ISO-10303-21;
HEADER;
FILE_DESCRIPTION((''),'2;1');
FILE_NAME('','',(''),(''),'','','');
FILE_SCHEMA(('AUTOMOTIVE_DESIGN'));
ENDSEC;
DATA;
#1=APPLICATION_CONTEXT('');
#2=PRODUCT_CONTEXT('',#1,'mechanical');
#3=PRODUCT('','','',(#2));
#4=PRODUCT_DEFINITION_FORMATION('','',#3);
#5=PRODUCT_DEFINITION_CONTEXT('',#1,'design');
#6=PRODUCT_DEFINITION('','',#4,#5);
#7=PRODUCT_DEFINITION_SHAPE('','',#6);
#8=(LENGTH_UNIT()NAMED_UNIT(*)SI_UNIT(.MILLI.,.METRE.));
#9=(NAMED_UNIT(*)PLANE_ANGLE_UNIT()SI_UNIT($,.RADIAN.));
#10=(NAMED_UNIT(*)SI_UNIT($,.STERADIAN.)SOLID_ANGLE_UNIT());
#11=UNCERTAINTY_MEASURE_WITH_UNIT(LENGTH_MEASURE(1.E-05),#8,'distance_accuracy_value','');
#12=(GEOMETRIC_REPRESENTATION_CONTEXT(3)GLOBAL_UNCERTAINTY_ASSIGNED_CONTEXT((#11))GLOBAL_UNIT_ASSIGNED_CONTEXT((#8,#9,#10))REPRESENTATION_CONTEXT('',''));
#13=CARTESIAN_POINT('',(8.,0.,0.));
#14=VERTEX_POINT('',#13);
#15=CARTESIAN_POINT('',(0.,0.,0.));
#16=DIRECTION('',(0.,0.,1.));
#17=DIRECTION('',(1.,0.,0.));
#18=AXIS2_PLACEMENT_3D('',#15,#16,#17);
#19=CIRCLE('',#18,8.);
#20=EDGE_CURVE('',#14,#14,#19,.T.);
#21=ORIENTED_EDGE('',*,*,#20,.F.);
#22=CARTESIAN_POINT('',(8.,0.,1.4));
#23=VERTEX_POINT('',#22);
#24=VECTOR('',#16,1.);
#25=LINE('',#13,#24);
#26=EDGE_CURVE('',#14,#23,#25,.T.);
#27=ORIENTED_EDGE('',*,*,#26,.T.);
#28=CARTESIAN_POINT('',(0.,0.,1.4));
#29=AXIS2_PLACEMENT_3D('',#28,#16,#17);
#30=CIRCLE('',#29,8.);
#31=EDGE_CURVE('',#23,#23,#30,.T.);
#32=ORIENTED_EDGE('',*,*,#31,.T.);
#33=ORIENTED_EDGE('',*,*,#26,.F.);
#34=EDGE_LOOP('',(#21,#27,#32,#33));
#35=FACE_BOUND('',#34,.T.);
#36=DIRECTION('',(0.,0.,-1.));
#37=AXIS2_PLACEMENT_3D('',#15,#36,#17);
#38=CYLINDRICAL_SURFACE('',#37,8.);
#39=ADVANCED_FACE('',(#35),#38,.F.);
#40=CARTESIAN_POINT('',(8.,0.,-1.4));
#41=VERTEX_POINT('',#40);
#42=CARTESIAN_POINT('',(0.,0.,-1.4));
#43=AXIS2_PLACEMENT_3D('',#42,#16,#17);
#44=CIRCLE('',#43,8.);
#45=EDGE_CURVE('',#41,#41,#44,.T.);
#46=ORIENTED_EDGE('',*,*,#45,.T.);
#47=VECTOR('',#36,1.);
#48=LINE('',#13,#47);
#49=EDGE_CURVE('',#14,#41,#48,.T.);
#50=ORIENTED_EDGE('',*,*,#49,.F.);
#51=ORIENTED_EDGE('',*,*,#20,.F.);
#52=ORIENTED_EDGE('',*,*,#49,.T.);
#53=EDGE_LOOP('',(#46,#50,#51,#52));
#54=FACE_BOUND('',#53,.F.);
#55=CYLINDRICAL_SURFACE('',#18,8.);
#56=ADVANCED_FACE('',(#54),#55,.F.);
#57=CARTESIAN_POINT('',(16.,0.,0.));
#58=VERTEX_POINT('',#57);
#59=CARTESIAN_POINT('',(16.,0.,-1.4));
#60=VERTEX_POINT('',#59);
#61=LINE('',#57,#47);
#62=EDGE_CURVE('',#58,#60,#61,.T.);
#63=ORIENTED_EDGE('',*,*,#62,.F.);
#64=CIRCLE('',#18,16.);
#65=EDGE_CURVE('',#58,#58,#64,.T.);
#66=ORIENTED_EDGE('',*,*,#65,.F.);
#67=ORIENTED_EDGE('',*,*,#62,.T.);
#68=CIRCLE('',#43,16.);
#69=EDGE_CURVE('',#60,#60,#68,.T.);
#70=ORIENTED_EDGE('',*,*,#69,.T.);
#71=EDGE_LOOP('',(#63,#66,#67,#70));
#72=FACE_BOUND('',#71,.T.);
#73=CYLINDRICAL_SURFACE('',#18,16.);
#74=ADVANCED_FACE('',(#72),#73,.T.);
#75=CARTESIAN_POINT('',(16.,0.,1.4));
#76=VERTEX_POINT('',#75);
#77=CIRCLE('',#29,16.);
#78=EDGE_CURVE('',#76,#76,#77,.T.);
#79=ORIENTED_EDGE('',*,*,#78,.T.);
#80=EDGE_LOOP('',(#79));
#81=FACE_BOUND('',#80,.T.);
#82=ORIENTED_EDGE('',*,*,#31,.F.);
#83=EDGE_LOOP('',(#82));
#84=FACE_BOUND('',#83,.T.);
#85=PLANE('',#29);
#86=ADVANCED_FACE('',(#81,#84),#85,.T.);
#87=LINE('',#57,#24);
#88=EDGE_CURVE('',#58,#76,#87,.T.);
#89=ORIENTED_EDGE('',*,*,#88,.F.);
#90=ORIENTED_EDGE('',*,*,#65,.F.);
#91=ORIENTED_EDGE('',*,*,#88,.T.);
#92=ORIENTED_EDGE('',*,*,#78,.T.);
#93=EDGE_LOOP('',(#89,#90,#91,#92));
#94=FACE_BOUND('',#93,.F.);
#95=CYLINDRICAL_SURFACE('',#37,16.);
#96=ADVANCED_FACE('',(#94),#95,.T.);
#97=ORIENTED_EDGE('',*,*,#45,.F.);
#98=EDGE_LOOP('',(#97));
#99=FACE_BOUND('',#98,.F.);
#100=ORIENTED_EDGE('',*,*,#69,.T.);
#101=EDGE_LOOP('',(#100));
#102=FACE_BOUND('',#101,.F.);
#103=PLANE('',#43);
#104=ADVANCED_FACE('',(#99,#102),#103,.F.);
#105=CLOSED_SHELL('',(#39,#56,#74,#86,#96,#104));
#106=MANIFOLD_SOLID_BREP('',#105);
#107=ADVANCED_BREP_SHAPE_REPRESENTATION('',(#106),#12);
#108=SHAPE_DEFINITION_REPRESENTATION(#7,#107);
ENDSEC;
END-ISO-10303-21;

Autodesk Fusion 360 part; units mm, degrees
sketch "Sketch1" plane through (0, 0, 0) normal (0, 0, 1) x (1, 0, 0)
  circle A0 centre (0, 0) radius 8
  circle A1 centre (0, 0) radius 16
  dimension "d1" = 16
  dimension "d2" = 32
extrude "Extrude1" add sketch "Sketch1" along normal mid plane 2.8
